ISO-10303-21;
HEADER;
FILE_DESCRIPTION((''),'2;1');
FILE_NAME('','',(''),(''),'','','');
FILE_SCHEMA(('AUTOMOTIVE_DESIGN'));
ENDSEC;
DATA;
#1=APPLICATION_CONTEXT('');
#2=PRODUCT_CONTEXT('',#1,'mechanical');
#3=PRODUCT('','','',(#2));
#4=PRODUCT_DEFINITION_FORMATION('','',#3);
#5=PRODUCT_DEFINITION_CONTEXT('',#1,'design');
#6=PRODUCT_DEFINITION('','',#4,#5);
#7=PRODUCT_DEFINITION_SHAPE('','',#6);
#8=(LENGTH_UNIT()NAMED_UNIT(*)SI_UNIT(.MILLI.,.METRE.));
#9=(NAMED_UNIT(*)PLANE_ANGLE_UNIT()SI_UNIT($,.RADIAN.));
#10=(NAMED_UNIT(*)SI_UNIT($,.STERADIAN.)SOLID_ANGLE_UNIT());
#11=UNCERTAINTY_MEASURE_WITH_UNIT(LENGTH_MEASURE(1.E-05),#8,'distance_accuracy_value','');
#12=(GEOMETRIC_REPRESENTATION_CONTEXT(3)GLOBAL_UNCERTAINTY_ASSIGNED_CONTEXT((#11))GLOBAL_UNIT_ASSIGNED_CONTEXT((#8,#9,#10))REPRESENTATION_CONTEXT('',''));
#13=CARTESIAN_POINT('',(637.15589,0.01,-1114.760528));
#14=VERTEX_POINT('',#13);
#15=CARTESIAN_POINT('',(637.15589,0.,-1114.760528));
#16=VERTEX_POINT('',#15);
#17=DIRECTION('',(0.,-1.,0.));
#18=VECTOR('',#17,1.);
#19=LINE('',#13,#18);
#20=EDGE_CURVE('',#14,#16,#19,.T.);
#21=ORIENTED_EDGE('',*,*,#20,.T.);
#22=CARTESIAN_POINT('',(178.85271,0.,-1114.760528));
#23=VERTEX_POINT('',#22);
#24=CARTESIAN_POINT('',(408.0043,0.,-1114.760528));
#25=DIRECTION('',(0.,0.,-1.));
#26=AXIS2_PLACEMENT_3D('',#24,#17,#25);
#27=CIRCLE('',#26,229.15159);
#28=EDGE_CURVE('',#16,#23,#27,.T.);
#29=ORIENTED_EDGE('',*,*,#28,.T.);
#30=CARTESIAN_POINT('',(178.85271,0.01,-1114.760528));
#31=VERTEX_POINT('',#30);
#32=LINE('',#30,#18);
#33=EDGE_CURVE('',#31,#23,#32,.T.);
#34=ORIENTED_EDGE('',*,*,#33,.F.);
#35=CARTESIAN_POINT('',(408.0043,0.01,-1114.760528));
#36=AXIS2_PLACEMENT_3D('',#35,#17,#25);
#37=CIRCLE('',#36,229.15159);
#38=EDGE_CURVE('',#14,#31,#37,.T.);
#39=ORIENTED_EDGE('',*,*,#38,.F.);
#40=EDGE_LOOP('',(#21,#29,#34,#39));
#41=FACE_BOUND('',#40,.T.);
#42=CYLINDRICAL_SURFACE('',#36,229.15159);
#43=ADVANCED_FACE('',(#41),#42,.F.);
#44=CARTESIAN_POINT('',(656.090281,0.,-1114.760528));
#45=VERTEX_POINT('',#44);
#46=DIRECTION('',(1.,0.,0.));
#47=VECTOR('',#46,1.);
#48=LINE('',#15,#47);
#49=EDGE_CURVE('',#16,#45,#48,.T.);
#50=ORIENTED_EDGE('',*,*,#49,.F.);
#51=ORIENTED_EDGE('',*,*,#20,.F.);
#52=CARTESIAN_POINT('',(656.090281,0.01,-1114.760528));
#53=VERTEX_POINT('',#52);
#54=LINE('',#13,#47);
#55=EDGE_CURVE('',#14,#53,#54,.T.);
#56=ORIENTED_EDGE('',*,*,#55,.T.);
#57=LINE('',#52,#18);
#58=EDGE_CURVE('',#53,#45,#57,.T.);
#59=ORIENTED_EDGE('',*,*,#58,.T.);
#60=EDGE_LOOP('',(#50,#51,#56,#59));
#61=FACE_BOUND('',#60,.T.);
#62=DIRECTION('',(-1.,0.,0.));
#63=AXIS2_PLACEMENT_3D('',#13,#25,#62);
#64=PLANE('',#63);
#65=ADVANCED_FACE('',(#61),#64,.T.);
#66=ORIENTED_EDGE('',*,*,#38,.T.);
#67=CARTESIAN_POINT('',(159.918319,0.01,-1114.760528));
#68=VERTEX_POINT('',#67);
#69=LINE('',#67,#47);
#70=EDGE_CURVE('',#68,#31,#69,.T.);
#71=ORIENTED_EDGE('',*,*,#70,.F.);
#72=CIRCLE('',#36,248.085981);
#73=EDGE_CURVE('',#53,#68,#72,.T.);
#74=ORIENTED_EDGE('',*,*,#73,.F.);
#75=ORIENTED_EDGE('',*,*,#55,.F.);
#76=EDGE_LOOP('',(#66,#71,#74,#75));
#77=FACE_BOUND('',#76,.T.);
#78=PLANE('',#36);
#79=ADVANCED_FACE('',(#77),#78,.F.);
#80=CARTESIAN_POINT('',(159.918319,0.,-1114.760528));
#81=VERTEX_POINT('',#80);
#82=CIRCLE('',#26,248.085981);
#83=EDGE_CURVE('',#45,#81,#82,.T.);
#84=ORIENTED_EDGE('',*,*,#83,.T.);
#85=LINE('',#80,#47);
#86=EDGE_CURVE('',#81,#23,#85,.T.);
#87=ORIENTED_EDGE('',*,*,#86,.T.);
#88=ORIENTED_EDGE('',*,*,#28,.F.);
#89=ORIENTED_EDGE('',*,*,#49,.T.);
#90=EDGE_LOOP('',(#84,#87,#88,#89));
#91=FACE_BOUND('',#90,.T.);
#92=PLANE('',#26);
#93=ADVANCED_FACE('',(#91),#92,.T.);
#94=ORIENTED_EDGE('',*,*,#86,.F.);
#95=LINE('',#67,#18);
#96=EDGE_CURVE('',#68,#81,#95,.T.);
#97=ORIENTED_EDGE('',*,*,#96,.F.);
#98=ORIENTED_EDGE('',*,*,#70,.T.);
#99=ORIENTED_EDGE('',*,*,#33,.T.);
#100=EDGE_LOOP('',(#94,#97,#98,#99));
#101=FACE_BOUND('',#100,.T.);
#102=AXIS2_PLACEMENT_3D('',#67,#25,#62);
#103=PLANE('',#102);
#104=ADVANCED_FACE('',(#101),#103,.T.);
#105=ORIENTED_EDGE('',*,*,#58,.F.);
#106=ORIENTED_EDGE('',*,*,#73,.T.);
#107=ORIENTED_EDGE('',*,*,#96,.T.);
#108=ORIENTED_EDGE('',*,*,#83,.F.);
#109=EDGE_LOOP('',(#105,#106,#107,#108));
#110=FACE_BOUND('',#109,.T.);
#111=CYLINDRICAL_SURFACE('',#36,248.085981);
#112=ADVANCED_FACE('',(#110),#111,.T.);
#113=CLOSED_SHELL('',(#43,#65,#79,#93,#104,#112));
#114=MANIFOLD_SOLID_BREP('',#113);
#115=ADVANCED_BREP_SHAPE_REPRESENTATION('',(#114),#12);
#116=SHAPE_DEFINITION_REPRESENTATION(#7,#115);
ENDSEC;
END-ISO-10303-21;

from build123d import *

# Parameters (mm, degrees)
RESSALTO_EXTRUS_O8_DEPTH = 0.01


with BuildPart() as part:
    # Esboço1 → Ressalto-extrusão8 (new body)
    with BuildSketch(Plane(origin=(0, 0, 0), x_dir=(1, 0, 0), z_dir=(0, 1, 0))):
        with BuildLine():
            Line((637.155889964, 1114.760527722), (656.090281198, 1114.760527722))
            ThreePointArc((656.090281198, 1114.760527722), (408.004300022, 866.674546546), (159.918318846, 1114.760527722))
            Line((159.918318846, 1114.760527722), (178.852710089, 1114.760527722))
            ThreePointArc((178.852710089, 1114.760527722), (408.004300026, 885.608937784), (637.155889964, 1114.760527722))
        make_face()
    extrude(amount=RESSALTO_EXTRUS_O8_DEPTH)


solid = part.part
